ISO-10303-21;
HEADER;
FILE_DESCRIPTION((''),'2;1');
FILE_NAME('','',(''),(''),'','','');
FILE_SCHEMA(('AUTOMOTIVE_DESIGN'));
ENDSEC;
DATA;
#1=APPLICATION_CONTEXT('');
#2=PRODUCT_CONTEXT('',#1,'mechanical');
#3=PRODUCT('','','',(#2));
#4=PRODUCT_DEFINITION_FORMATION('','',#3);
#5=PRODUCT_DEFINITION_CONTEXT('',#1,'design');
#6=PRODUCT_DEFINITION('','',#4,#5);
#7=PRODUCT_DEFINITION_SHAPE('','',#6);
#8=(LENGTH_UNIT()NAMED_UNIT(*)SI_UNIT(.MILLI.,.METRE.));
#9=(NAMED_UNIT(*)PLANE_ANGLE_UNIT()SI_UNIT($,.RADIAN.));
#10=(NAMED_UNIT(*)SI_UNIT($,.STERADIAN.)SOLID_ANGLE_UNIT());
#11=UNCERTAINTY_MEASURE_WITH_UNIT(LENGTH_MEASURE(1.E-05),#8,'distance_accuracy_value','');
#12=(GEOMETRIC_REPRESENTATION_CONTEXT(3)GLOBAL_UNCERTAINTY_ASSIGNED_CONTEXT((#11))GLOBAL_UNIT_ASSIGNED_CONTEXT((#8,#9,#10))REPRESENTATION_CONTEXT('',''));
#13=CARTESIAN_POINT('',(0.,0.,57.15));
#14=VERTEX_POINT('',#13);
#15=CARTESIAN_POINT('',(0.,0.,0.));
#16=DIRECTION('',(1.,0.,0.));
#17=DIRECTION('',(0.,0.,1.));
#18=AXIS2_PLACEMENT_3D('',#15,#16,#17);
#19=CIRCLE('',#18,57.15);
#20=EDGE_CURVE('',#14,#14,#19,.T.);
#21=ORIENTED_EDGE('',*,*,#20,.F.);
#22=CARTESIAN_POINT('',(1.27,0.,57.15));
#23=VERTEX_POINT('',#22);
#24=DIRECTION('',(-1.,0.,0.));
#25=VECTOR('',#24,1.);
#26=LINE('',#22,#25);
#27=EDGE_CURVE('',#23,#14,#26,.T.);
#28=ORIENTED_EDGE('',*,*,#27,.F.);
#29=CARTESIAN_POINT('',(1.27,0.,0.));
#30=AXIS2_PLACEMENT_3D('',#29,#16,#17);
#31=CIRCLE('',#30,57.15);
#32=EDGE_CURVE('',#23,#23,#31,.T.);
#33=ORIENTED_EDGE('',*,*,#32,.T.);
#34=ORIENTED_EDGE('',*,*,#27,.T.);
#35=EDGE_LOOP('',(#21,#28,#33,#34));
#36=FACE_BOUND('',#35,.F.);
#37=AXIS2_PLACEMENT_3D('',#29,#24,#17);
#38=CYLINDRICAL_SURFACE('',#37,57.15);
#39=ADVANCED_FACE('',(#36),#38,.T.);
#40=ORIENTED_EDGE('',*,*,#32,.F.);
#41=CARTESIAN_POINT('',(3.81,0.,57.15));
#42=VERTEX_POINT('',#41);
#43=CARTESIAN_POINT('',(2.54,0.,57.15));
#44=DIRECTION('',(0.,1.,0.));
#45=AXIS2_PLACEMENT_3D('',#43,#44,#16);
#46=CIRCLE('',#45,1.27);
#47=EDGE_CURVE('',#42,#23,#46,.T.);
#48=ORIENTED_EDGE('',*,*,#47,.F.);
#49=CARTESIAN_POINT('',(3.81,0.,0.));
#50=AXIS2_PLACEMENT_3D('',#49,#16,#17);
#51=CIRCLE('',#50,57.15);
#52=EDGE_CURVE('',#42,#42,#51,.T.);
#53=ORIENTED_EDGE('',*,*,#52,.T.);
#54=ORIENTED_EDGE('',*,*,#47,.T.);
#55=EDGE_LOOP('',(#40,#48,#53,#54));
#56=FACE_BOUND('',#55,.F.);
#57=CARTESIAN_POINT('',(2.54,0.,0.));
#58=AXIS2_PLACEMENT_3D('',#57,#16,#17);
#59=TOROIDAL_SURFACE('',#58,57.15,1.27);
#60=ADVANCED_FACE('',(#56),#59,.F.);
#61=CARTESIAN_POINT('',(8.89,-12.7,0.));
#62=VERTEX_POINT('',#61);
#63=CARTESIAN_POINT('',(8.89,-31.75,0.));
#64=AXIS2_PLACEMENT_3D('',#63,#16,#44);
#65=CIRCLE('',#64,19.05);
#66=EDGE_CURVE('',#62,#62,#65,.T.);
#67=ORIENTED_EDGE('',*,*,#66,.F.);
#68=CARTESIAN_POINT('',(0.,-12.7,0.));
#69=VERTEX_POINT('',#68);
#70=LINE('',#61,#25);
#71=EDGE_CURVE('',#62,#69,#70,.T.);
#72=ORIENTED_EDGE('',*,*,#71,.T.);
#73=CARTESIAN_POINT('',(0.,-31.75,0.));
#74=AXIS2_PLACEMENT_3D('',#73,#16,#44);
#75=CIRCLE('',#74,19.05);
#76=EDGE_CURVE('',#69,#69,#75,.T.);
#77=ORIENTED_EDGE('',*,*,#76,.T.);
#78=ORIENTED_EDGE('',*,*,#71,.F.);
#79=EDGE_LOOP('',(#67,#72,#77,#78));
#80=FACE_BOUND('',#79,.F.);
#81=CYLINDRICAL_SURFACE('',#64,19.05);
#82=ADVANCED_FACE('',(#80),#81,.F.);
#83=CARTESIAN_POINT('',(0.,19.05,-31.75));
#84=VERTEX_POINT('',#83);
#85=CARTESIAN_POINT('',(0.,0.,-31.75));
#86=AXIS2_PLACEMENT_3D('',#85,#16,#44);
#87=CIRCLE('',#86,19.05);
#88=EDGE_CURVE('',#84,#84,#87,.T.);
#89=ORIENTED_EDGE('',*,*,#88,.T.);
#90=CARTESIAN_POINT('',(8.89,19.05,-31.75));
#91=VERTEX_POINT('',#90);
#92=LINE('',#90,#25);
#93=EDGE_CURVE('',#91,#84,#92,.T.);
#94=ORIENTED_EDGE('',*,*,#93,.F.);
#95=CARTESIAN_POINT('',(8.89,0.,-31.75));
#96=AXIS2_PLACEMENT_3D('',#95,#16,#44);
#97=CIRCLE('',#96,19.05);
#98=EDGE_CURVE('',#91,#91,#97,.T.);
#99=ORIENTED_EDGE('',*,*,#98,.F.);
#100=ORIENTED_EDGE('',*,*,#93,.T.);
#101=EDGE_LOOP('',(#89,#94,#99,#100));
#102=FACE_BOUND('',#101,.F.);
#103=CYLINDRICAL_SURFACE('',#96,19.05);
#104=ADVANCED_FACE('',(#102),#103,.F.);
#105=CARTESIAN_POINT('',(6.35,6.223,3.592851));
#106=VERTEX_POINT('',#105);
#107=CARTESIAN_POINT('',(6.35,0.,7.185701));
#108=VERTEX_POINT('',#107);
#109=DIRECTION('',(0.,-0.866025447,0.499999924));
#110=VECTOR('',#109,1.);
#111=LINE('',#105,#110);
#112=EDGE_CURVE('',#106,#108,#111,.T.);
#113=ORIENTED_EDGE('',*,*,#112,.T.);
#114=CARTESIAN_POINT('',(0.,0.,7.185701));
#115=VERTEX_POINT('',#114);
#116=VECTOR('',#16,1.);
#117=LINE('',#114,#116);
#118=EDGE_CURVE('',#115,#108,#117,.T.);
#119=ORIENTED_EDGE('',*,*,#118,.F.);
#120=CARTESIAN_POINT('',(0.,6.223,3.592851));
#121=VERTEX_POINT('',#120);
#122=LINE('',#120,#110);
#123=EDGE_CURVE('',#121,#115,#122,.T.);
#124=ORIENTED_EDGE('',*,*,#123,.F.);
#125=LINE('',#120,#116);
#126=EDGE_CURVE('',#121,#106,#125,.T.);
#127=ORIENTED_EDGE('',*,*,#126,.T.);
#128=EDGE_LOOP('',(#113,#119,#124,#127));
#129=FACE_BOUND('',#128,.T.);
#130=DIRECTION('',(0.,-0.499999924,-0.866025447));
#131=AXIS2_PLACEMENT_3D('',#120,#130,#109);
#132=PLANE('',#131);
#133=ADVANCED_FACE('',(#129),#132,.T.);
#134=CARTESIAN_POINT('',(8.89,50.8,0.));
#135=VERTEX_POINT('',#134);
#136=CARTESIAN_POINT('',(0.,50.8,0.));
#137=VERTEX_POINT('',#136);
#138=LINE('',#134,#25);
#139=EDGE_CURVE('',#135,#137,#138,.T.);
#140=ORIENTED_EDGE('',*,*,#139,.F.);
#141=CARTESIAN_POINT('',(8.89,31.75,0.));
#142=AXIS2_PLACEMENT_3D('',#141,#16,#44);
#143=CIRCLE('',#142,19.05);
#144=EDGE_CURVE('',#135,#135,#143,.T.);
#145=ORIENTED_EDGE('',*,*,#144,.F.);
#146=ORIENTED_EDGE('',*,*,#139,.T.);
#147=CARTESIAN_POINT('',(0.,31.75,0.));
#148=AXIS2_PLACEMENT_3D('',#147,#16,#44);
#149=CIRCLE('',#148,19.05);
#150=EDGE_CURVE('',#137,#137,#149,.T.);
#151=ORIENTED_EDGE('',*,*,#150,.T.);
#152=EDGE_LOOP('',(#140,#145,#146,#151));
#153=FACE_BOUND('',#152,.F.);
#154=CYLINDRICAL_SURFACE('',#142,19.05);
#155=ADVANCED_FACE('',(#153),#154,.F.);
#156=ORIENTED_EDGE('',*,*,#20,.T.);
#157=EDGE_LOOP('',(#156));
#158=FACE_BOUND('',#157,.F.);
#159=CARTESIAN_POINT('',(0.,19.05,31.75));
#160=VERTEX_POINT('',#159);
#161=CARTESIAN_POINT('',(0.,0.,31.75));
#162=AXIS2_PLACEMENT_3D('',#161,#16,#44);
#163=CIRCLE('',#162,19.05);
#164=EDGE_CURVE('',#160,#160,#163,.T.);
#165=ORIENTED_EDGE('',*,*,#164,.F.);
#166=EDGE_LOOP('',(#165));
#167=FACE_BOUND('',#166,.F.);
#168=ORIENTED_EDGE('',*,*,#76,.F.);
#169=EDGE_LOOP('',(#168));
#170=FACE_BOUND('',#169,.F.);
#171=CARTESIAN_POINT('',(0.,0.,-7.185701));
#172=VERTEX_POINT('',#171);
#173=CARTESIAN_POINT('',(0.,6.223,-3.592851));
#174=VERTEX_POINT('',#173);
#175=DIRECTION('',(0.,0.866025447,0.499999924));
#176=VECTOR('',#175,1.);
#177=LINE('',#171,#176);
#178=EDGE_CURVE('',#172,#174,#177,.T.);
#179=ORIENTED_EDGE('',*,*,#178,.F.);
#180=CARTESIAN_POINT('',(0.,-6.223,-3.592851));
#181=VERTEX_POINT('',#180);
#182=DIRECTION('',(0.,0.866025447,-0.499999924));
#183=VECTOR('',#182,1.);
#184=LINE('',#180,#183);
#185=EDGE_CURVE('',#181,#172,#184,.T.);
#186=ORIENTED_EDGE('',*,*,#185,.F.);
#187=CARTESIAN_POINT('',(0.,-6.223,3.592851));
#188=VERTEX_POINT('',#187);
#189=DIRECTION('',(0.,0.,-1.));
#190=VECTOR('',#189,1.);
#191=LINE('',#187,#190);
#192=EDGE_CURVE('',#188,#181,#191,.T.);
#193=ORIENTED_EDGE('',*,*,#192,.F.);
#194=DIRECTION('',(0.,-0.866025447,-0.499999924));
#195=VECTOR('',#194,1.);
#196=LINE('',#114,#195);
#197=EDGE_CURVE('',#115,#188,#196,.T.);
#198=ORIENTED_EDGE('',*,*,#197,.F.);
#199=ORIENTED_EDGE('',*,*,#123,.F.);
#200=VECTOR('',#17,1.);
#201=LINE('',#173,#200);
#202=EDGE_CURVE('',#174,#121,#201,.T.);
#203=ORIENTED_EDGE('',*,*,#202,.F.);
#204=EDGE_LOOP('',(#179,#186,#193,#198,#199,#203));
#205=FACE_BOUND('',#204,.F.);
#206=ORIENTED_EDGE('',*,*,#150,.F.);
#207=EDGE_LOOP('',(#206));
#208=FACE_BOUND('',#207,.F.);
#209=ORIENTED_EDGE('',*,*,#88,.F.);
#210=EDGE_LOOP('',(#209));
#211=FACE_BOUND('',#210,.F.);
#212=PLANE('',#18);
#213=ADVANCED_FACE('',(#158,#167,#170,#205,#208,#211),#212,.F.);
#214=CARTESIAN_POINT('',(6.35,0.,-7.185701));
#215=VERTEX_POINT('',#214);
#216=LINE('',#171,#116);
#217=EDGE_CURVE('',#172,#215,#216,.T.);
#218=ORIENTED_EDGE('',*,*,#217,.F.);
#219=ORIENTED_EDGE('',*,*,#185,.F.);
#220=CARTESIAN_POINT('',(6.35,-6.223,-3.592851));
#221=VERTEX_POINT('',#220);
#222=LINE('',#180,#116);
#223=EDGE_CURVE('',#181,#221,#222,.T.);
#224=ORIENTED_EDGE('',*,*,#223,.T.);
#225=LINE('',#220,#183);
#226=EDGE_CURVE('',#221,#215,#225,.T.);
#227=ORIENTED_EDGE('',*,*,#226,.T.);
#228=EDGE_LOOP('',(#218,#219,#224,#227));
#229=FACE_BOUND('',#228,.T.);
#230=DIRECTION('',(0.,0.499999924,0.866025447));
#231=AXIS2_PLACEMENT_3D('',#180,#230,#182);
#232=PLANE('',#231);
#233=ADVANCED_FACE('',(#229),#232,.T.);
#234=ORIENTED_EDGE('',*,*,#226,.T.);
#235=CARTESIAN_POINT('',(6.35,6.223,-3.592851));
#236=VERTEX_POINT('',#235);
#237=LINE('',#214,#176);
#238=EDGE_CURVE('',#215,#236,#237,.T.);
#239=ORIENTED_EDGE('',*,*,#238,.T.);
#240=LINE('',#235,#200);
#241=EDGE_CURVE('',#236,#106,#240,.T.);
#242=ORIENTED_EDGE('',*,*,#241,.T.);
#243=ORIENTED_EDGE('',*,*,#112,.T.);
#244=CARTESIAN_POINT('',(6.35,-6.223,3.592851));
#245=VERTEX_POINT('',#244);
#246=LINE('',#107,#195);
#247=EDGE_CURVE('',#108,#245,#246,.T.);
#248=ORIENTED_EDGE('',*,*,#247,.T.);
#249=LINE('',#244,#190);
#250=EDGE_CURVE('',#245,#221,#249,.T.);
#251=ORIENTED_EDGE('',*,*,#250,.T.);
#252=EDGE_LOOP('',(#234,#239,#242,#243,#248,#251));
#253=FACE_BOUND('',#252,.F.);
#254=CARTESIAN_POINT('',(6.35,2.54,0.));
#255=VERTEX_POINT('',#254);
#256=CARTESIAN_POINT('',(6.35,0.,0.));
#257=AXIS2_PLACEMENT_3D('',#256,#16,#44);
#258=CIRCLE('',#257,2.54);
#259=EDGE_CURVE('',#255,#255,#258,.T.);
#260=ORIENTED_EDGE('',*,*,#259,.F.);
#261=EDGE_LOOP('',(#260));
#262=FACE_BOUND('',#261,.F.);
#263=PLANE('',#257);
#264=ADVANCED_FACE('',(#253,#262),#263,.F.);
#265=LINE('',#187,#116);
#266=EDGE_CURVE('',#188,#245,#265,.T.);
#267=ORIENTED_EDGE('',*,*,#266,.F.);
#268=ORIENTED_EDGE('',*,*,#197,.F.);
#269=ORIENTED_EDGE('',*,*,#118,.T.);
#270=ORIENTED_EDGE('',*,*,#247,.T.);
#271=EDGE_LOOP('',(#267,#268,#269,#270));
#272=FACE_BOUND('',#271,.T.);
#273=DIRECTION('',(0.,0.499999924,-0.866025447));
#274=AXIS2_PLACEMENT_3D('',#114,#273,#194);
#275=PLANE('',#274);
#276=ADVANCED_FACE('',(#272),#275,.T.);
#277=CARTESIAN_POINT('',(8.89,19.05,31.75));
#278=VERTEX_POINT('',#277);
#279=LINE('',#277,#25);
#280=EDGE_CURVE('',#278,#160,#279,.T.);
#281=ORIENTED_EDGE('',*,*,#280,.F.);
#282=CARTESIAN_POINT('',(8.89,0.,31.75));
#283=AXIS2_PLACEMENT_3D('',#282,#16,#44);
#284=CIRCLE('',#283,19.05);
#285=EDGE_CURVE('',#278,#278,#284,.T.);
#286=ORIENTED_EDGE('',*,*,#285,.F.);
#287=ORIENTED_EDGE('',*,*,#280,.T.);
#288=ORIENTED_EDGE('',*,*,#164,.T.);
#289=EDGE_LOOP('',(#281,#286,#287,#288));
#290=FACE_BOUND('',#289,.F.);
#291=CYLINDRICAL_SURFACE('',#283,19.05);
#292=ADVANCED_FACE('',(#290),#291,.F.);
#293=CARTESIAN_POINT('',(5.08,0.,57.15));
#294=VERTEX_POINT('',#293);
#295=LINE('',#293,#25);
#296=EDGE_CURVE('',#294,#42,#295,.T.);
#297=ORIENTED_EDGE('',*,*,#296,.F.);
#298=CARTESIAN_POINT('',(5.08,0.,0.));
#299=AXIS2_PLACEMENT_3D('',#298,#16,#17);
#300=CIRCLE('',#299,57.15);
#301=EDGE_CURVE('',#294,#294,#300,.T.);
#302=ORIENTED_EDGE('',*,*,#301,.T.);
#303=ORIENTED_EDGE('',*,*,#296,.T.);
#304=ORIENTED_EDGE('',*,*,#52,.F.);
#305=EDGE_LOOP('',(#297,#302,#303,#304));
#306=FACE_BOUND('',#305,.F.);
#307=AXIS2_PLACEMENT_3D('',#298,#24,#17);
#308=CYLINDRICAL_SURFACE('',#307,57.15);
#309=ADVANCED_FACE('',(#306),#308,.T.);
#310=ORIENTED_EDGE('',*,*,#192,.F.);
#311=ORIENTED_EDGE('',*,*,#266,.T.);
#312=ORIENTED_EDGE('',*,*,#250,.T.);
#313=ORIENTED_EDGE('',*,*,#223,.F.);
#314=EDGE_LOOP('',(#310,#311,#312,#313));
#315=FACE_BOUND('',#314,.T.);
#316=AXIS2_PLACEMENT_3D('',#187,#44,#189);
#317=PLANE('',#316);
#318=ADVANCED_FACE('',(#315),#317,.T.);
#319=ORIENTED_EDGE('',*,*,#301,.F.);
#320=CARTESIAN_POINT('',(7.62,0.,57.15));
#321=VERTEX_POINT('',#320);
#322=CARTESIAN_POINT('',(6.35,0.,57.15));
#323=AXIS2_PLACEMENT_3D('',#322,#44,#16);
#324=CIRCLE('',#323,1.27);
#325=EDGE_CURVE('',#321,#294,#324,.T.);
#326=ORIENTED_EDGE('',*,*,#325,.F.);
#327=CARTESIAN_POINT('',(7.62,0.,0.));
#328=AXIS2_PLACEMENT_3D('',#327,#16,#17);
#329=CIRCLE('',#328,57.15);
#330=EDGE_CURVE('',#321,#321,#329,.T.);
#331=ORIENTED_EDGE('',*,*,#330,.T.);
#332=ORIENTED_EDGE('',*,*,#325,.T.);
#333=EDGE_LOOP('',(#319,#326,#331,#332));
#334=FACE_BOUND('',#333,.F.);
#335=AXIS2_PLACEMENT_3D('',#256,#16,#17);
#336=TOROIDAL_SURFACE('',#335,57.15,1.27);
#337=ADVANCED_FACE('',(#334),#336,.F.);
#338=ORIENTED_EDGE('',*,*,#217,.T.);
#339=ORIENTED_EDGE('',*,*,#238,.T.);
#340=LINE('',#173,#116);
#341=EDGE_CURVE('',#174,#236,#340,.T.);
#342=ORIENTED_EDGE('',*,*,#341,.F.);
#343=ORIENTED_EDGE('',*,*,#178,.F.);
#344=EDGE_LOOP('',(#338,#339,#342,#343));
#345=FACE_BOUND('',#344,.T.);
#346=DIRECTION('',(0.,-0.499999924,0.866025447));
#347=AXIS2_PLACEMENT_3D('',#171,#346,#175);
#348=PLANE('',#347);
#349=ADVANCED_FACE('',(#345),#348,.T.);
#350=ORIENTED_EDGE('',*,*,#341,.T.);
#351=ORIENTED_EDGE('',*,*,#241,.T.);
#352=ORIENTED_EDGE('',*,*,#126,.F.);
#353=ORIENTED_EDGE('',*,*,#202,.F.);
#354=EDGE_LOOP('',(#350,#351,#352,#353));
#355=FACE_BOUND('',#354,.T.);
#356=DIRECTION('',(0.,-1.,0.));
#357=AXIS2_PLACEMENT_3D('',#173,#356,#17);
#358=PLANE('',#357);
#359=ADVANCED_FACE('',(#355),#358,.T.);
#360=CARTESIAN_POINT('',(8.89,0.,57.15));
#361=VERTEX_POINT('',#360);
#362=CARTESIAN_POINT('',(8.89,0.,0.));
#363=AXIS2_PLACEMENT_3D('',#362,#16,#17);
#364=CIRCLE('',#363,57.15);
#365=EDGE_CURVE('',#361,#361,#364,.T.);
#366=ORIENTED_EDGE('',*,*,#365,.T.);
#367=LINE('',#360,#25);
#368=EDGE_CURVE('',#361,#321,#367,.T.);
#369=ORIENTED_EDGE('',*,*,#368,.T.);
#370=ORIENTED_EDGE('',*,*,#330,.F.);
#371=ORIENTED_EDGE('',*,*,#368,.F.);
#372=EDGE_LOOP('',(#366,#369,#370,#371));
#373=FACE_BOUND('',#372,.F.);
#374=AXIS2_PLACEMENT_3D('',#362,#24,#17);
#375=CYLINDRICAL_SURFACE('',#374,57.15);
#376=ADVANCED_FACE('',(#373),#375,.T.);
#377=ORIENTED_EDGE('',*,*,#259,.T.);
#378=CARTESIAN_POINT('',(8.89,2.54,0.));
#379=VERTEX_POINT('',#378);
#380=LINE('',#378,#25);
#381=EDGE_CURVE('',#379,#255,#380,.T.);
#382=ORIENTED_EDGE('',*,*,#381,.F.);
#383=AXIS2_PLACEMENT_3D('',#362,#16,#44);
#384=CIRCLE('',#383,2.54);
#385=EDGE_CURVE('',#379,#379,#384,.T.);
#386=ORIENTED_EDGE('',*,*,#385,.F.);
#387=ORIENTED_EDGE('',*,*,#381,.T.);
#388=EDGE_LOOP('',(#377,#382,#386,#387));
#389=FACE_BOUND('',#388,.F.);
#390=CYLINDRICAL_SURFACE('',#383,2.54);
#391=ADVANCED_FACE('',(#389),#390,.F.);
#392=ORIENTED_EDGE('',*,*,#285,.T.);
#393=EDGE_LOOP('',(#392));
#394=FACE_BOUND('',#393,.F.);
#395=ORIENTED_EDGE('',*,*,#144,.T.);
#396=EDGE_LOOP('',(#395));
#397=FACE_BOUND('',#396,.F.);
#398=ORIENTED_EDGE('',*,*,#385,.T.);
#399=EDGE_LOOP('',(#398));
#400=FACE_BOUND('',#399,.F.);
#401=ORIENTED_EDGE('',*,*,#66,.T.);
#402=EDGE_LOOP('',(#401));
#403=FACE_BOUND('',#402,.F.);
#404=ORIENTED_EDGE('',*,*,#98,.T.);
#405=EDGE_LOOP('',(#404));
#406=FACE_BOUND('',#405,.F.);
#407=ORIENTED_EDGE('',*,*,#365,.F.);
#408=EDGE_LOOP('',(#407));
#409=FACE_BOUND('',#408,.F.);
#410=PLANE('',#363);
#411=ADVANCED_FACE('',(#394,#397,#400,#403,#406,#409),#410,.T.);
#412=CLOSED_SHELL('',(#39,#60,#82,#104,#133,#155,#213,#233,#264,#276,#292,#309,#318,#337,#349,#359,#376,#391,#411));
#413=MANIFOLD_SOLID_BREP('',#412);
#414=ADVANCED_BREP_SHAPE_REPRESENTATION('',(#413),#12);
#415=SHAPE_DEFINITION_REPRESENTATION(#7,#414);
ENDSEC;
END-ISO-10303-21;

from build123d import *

# Parameters (mm, degrees)
F3_R     = 19.05
F4_DEPTH = 19.05
F6_DEPTH = 6.35
F7_R     = 2.54
F8_DEPTH = 8.891


with BuildPart() as f1:
    # F0 (on Front) → F1 (revolve)
    with BuildSketch(Plane.XZ):
        with BuildLine():
            Line((0, 57.15), (0, 0))
            Line((0, 0), (8.89, 0))
            Line((8.89, 0), (8.89, 57.15))
            Line((8.89, 57.15), (7.62, 57.15))
            ThreePointArc((7.62, 57.15), (6.35, 55.88), (5.08, 57.15))
            Line((5.08, 57.15), (3.81, 57.15))
            ThreePointArc((3.81, 57.15), (2.54, 55.88), (1.27, 57.15))
            Line((1.27, 57.15), (0, 57.15))
        make_face()
    revolve(axis=Axis((4.445, 0, 0), (1, 0, 0)))

    # F3 (on face) → F4 (cut)
    with BuildSketch(Plane.YZ.offset(8.89)):
        with Locations((-31.75, 0)):
            Circle(F3_R)
        with Locations((0, 31.75)):
            Circle(F3_R)
        with Locations((31.75, 0)):
            Circle(F3_R)
        with Locations((0, -31.75)):
            Circle(F3_R)
    extrude(amount=-F4_DEPTH, mode=Mode.SUBTRACT)

    # F5 (on Right) → F6 (cut)
    with BuildSketch(Plane.YZ):
        Polygon((-6.223, 3.592851), (-6.223, -3.592851), (0, -7.185701), (6.223, -3.592851), (6.223, 3.592851), (0, 7.185701), align=None)
    extrude(amount=F6_DEPTH, mode=Mode.SUBTRACT)

    # F7 (on face) → F8 (cut, through all)
    with BuildSketch(Plane.YZ.offset(8.89)):
        Circle(F7_R)
    extrude(amount=-F8_DEPTH, mode=Mode.SUBTRACT)


solid = f1.part
